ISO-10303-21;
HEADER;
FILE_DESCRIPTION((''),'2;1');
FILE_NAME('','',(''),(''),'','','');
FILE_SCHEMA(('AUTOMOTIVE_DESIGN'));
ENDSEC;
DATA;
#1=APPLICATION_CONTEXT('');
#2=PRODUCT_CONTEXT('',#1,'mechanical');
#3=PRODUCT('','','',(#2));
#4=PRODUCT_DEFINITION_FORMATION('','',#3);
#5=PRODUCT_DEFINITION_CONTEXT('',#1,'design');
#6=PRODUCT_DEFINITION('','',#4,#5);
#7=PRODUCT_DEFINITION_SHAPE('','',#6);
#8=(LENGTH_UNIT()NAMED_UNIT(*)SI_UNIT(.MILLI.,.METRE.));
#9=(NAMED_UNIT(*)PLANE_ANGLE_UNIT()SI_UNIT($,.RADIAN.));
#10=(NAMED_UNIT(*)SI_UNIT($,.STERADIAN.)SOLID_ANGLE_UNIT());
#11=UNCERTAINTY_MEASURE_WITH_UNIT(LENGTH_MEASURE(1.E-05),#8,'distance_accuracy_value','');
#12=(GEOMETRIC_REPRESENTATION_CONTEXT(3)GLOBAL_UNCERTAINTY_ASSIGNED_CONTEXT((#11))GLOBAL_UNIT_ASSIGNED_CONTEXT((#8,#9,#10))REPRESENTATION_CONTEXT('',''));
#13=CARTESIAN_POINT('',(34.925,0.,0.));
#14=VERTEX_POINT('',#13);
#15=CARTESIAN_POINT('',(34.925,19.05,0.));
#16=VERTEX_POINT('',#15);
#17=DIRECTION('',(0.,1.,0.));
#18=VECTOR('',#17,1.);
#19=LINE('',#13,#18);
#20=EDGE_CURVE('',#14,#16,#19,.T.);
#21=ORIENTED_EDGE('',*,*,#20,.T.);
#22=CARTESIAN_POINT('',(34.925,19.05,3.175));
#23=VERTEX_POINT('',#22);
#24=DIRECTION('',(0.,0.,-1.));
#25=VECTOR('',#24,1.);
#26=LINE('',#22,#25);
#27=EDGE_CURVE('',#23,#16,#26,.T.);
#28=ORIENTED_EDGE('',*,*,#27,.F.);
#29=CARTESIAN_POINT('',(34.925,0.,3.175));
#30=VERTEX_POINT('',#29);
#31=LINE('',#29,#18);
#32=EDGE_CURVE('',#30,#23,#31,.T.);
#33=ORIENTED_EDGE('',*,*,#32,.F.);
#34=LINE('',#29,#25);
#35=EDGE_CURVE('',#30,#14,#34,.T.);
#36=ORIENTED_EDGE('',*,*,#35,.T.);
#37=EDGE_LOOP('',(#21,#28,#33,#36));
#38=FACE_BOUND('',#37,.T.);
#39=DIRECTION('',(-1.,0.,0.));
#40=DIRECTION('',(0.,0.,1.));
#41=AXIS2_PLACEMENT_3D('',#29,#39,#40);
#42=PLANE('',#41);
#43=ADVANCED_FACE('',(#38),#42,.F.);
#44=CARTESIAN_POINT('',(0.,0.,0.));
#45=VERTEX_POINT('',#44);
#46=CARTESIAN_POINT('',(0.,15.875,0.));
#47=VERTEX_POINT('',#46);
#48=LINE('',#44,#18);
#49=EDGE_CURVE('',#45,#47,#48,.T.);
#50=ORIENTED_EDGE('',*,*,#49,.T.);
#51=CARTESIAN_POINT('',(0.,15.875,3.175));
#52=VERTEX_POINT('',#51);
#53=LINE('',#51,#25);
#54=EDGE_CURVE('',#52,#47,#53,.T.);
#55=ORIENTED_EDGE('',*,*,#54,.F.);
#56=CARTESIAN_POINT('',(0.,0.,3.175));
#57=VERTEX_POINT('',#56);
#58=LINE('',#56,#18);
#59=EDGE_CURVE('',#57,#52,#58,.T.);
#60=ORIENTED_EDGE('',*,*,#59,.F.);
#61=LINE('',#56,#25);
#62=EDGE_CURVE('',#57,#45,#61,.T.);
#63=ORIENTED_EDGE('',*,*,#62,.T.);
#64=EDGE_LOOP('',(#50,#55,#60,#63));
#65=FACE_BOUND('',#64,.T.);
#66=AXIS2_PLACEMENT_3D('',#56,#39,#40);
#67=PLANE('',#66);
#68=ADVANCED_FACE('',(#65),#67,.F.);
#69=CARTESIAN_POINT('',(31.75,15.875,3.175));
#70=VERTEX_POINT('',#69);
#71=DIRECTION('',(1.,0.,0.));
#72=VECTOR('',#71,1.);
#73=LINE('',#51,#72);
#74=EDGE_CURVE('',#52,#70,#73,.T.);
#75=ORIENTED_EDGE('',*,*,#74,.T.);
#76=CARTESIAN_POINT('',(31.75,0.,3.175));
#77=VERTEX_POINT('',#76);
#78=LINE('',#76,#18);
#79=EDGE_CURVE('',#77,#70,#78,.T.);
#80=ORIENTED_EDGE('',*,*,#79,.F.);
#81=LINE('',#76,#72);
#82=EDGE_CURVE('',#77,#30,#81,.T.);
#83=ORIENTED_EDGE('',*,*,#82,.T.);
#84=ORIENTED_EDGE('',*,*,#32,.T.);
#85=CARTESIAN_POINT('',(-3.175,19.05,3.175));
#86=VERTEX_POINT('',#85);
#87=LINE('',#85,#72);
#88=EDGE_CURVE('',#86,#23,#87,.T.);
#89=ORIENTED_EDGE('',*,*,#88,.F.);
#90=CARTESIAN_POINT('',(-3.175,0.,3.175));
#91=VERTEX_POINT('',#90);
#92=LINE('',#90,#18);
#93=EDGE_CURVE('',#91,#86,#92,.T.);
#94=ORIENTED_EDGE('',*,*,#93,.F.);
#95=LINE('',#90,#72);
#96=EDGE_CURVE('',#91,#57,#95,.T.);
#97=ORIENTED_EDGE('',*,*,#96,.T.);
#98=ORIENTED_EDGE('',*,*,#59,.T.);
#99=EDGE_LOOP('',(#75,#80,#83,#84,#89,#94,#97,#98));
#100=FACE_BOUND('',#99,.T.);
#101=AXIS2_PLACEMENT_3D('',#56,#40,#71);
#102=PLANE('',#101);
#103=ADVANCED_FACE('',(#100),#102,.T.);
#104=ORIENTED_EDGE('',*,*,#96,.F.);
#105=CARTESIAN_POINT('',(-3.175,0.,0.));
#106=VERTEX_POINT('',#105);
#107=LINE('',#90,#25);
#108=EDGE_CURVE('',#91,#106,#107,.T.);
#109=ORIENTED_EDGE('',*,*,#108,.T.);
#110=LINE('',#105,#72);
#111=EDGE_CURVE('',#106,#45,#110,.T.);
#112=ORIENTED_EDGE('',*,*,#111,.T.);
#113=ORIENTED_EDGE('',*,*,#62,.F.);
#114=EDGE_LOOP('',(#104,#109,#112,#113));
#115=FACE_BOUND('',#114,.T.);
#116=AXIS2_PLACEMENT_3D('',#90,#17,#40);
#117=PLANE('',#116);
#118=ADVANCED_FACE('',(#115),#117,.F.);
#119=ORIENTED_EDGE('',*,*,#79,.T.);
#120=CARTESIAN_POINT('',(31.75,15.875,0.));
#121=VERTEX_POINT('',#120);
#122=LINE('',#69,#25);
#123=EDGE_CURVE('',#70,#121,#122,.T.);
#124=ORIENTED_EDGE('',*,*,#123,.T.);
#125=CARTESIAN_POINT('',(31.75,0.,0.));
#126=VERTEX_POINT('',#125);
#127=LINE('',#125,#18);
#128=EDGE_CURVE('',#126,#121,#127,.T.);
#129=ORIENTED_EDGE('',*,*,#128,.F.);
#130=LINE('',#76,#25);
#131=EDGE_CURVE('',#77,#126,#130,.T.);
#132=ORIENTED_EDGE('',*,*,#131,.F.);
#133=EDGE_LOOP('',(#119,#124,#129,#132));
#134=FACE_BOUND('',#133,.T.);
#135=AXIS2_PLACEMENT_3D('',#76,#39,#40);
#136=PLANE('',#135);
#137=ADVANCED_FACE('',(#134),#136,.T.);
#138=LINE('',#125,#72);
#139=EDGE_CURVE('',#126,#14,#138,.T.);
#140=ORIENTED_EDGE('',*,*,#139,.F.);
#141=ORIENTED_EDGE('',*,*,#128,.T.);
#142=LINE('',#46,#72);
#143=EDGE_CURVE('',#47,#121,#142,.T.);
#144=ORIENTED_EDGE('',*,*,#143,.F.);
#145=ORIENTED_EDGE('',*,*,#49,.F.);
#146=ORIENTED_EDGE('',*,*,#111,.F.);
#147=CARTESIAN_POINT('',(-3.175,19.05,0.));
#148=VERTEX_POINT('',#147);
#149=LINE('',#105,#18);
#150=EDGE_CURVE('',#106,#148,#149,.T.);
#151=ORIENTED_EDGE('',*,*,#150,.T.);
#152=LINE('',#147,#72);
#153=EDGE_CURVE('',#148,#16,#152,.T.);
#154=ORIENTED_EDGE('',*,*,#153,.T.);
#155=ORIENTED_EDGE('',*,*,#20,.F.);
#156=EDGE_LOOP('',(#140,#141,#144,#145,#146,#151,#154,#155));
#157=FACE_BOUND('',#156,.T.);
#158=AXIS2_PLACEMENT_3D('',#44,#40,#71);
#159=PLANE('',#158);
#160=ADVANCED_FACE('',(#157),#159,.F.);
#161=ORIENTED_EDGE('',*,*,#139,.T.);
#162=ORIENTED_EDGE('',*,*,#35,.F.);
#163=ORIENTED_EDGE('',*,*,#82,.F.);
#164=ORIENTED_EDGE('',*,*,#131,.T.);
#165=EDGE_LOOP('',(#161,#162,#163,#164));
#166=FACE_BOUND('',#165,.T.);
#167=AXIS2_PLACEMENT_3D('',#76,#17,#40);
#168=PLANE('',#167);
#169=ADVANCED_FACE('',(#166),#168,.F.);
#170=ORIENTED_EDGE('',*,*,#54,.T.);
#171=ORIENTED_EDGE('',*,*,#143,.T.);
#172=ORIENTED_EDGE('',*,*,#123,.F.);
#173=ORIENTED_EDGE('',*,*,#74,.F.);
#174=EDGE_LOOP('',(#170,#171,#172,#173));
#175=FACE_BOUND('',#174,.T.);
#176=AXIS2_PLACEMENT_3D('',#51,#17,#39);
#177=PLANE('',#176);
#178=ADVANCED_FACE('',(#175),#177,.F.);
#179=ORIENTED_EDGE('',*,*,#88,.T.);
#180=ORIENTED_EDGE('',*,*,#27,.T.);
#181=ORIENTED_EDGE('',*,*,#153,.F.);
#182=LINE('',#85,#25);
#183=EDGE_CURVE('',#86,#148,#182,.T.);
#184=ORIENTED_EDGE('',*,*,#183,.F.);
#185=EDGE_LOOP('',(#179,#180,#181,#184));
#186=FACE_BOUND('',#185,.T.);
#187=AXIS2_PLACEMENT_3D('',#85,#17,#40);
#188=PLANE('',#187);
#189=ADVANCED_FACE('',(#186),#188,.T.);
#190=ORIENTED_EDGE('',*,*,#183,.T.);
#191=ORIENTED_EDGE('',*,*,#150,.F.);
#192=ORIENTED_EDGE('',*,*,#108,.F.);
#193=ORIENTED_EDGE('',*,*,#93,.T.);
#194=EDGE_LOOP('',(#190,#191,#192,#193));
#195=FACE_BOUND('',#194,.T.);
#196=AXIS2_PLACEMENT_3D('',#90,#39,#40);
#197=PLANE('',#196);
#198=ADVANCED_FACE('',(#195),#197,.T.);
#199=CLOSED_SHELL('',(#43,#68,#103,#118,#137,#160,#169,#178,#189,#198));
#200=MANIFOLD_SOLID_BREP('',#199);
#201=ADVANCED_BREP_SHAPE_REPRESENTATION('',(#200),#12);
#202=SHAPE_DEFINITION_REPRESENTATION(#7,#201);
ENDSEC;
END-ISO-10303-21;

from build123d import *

# Parameters (mm, degrees)
BOSS_EXTRUDE1_DEPTH = 3.175


with BuildPart() as part:
    # Sketch1 → Boss-Extrude1 (new body)
    with BuildSketch(Plane.XY):
        Polygon((-3.175, 0), (-3.175, 19.05), (34.925, 19.05), (34.925, 0), (31.75, 0), (31.75, 15.875), (0, 15.875), (0, 0), align=None)
    extrude(amount=BOSS_EXTRUDE1_DEPTH)


solid = part.part
